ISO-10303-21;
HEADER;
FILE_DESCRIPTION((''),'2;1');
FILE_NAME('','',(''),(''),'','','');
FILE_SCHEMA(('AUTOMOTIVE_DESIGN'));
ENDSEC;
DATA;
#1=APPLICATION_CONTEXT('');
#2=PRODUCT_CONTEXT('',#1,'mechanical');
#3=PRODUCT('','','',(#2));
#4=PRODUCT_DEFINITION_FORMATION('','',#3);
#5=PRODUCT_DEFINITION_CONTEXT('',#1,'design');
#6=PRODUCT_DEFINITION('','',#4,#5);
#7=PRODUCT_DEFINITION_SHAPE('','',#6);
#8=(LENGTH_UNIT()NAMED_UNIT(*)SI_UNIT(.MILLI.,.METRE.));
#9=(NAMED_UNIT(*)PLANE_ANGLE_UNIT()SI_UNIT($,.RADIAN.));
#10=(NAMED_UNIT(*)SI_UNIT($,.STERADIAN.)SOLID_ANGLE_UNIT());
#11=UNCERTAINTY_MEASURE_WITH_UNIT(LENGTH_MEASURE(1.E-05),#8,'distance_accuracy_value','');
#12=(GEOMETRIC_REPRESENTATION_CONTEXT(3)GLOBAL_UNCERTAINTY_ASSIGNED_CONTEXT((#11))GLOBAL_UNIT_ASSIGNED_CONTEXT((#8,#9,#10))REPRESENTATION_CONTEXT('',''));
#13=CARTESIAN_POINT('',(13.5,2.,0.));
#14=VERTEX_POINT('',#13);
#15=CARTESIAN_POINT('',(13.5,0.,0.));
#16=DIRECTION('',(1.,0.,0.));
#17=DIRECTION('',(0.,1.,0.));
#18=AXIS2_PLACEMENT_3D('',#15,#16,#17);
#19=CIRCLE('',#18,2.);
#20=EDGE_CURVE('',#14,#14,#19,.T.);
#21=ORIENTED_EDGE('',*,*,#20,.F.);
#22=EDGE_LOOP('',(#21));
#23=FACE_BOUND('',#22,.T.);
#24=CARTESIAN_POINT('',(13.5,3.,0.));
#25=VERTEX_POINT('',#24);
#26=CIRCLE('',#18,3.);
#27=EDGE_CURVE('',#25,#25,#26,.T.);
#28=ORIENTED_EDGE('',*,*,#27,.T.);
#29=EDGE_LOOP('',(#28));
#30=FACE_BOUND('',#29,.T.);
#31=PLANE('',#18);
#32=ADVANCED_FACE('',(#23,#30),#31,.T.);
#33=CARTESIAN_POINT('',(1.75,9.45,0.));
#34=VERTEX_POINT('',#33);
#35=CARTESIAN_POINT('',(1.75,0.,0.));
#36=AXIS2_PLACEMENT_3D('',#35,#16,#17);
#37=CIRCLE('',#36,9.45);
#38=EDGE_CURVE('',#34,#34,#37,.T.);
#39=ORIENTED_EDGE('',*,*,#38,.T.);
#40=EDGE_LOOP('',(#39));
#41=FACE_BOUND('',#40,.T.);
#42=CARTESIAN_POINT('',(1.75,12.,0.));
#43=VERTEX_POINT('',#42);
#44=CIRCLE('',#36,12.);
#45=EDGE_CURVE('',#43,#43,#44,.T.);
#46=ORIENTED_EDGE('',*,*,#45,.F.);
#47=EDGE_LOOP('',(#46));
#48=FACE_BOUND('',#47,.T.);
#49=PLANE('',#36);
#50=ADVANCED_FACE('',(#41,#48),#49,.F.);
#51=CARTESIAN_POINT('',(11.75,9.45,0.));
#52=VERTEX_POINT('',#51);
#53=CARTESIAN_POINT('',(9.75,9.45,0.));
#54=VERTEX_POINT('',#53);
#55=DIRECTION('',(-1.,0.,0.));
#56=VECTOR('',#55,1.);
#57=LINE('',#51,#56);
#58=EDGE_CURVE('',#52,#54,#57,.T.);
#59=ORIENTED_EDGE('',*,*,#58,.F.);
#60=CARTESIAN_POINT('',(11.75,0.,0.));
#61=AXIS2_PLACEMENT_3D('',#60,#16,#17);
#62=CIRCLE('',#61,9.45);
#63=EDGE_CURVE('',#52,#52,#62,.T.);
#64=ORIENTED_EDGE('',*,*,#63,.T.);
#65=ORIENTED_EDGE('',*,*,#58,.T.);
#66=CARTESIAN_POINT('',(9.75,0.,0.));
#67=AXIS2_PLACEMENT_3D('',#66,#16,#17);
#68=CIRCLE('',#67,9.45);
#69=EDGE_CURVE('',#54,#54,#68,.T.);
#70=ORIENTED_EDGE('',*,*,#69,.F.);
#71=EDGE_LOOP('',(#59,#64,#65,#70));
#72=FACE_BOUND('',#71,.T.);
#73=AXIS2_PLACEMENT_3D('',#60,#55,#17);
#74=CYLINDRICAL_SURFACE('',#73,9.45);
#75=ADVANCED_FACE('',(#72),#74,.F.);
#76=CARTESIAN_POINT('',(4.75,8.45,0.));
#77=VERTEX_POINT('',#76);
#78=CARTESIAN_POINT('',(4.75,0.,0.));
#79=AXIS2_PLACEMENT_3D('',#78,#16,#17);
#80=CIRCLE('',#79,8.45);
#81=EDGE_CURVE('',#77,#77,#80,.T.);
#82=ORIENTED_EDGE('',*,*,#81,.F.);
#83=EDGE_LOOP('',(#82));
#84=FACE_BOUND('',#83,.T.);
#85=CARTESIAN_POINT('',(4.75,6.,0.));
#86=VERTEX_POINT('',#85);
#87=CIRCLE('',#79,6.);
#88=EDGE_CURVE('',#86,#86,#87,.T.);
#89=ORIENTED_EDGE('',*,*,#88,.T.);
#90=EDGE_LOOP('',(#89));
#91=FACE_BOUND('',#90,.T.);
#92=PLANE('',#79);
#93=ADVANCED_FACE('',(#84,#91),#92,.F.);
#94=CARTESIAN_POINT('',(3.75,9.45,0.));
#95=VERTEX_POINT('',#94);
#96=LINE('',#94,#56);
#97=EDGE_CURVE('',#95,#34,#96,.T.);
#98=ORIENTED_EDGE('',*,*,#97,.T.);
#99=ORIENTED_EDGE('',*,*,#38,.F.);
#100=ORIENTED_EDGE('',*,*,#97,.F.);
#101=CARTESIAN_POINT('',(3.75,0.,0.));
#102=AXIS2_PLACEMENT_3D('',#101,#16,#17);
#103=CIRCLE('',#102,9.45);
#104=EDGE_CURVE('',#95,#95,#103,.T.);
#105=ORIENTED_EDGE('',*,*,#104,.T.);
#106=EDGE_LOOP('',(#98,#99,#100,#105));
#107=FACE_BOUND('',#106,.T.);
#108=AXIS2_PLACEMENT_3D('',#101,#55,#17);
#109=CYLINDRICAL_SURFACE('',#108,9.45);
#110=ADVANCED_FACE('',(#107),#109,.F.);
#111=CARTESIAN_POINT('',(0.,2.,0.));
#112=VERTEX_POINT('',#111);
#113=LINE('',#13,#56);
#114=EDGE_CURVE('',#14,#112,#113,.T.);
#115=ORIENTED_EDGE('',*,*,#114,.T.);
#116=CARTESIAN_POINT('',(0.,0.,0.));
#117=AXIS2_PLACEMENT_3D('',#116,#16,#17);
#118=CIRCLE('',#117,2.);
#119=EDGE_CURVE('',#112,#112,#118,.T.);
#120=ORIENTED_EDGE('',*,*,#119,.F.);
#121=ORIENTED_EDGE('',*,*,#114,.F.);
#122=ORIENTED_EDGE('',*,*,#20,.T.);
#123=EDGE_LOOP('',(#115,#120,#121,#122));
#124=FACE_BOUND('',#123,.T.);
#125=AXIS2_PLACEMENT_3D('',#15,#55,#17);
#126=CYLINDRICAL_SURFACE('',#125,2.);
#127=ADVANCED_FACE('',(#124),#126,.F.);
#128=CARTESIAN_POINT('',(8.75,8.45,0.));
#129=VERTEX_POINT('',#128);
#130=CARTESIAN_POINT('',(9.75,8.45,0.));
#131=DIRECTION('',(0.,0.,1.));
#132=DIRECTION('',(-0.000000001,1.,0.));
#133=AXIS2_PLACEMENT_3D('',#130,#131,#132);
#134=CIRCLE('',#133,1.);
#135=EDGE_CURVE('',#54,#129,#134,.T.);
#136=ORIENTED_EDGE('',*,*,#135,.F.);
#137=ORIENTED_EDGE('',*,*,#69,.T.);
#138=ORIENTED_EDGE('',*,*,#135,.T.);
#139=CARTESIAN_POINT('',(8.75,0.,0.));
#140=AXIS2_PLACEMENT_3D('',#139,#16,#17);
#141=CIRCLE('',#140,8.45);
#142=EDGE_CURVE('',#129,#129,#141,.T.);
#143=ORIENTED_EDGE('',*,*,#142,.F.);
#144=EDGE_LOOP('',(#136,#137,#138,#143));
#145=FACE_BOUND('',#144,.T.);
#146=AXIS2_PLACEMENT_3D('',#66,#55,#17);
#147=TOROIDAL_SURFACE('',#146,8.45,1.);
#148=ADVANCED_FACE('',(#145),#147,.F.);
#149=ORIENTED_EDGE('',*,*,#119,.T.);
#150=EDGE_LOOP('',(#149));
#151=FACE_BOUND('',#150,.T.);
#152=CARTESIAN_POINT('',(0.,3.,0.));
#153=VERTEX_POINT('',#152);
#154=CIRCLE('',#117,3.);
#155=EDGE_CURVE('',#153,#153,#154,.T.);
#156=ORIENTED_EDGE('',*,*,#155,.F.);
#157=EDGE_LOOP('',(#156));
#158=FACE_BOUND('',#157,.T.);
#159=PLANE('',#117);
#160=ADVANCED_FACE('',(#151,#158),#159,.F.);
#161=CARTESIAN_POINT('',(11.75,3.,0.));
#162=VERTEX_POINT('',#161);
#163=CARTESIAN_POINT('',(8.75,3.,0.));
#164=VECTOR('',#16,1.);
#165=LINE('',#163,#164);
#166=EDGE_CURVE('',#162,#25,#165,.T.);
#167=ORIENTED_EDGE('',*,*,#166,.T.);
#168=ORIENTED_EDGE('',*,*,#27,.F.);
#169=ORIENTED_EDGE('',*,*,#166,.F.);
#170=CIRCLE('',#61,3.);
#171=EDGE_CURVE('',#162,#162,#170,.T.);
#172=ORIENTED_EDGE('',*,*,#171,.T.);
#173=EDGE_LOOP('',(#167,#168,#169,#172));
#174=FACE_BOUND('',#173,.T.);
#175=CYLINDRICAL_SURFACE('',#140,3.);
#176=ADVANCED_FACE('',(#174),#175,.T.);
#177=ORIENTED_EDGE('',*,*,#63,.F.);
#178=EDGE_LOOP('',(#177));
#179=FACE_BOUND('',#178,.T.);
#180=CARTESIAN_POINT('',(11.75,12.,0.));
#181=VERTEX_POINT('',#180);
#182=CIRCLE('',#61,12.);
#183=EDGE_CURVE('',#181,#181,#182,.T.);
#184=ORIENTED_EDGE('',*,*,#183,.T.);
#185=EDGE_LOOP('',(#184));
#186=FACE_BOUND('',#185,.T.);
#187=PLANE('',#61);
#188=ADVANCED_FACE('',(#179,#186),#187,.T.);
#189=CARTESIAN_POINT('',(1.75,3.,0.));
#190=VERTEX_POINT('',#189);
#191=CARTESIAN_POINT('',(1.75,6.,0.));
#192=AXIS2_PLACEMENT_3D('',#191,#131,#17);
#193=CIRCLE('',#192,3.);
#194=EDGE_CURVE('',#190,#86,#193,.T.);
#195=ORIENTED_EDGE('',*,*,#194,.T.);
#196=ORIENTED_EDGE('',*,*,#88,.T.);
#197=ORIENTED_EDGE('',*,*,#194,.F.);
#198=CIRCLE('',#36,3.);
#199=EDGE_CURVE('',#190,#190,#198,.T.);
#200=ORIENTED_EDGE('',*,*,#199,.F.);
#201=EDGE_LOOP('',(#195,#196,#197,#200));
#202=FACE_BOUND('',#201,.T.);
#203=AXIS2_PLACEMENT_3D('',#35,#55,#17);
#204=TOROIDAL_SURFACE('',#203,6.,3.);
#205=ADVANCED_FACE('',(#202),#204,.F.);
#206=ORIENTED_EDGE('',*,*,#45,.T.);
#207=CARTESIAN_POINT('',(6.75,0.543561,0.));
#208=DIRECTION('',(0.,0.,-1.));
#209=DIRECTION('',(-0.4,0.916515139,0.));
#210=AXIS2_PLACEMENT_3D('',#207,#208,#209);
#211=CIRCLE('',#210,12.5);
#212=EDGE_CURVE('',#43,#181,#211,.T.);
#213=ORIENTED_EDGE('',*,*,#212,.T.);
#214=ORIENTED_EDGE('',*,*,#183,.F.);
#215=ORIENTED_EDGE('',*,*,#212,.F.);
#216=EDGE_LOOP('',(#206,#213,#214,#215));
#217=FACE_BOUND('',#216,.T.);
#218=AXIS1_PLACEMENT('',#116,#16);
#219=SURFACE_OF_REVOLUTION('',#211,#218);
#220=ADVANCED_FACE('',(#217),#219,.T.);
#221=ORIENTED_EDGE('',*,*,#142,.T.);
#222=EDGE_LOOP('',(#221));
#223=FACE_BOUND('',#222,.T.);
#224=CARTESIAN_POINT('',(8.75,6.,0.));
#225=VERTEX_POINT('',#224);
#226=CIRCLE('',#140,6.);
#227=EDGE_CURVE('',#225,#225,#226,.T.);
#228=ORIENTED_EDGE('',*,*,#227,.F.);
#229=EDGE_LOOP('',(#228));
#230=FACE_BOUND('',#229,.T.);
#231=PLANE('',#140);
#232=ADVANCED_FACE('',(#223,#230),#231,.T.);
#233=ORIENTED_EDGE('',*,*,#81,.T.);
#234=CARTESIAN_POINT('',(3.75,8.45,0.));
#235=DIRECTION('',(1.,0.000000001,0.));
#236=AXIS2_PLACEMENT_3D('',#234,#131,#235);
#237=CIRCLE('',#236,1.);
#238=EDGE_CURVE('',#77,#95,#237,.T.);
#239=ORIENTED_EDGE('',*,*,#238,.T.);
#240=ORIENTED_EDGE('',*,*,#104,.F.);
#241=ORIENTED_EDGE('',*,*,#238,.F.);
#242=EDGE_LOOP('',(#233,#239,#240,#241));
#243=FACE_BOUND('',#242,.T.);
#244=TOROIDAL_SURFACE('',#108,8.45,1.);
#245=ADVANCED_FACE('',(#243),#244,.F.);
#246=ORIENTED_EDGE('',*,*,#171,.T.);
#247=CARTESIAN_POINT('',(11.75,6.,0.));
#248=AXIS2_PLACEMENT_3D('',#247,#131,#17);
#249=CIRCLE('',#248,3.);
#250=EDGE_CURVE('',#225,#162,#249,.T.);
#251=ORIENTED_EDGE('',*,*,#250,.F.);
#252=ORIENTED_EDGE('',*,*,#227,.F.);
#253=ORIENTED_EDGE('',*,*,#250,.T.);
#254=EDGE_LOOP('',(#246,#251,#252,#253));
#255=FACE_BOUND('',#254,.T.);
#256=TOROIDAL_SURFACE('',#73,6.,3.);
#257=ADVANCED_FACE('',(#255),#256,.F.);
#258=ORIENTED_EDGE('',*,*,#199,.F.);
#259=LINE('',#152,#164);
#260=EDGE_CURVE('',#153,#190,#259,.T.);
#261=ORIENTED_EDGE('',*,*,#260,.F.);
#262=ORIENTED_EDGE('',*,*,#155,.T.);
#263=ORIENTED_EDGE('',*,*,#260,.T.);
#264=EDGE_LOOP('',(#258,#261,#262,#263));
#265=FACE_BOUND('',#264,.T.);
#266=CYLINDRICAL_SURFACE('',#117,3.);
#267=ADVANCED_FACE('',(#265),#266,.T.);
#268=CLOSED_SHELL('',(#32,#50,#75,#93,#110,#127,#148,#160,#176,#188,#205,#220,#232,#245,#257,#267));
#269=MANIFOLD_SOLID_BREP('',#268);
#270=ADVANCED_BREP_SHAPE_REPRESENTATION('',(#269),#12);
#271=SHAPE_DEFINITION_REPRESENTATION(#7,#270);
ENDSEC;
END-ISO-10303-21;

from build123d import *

# Parameters (mm, degrees)
FILLET1_R    = 6
SCALE1_SCALE = 0.5


with BuildPart() as part:
    # Sketch1 → Revolve1 (revolve)
    with BuildSketch(Plane.XY):
        with BuildLine():
            Line((0, 4), (0, 6))
            Line((0, 6), (3.5, 6))
            Line((3.5, 6), (9.5, 6))
            Line((9.5, 6), (9.5, 16.9))
            ThreePointArc((9.5, 16.9), (8.914213562, 18.314213562), (7.5, 18.9))
            Line((7.5, 18.9), (3.5, 18.9))
            Line((3.5, 18.9), (3.5, 24))
            ThreePointArc((3.5, 24), (13.5, 26.087121525), (23.5, 24))
            Line((23.5, 24), (23.5, 18.9))
            Line((23.5, 18.9), (19.5, 18.9))
            ThreePointArc((19.5, 18.9), (18.085786438, 18.314213562), (17.5, 16.9))
            Line((17.5, 16.9), (17.5, 6))
            Line((17.5, 6), (23.5, 6))
            Line((23.5, 6), (27, 6))
            Line((27, 6), (27, 4))
            Line((27, 4), (0, 4))
        make_face()
    revolve(axis=Axis((0, 0, 0), (1, 0, 0)))

    # Fillet1
    fillet1_edges = [part.edges().sort_by_distance(p)[0] for p in [
        (9.5, -6, 0),
        (17.5, -6, 0),
    ]]
    fillet(fillet1_edges, radius=FILLET1_R)


with BuildPart() as part_1:
    # Scale1: scaled about (0, 0, 0)
    add(part.part.scale(SCALE1_SCALE))


solid = part_1.part
